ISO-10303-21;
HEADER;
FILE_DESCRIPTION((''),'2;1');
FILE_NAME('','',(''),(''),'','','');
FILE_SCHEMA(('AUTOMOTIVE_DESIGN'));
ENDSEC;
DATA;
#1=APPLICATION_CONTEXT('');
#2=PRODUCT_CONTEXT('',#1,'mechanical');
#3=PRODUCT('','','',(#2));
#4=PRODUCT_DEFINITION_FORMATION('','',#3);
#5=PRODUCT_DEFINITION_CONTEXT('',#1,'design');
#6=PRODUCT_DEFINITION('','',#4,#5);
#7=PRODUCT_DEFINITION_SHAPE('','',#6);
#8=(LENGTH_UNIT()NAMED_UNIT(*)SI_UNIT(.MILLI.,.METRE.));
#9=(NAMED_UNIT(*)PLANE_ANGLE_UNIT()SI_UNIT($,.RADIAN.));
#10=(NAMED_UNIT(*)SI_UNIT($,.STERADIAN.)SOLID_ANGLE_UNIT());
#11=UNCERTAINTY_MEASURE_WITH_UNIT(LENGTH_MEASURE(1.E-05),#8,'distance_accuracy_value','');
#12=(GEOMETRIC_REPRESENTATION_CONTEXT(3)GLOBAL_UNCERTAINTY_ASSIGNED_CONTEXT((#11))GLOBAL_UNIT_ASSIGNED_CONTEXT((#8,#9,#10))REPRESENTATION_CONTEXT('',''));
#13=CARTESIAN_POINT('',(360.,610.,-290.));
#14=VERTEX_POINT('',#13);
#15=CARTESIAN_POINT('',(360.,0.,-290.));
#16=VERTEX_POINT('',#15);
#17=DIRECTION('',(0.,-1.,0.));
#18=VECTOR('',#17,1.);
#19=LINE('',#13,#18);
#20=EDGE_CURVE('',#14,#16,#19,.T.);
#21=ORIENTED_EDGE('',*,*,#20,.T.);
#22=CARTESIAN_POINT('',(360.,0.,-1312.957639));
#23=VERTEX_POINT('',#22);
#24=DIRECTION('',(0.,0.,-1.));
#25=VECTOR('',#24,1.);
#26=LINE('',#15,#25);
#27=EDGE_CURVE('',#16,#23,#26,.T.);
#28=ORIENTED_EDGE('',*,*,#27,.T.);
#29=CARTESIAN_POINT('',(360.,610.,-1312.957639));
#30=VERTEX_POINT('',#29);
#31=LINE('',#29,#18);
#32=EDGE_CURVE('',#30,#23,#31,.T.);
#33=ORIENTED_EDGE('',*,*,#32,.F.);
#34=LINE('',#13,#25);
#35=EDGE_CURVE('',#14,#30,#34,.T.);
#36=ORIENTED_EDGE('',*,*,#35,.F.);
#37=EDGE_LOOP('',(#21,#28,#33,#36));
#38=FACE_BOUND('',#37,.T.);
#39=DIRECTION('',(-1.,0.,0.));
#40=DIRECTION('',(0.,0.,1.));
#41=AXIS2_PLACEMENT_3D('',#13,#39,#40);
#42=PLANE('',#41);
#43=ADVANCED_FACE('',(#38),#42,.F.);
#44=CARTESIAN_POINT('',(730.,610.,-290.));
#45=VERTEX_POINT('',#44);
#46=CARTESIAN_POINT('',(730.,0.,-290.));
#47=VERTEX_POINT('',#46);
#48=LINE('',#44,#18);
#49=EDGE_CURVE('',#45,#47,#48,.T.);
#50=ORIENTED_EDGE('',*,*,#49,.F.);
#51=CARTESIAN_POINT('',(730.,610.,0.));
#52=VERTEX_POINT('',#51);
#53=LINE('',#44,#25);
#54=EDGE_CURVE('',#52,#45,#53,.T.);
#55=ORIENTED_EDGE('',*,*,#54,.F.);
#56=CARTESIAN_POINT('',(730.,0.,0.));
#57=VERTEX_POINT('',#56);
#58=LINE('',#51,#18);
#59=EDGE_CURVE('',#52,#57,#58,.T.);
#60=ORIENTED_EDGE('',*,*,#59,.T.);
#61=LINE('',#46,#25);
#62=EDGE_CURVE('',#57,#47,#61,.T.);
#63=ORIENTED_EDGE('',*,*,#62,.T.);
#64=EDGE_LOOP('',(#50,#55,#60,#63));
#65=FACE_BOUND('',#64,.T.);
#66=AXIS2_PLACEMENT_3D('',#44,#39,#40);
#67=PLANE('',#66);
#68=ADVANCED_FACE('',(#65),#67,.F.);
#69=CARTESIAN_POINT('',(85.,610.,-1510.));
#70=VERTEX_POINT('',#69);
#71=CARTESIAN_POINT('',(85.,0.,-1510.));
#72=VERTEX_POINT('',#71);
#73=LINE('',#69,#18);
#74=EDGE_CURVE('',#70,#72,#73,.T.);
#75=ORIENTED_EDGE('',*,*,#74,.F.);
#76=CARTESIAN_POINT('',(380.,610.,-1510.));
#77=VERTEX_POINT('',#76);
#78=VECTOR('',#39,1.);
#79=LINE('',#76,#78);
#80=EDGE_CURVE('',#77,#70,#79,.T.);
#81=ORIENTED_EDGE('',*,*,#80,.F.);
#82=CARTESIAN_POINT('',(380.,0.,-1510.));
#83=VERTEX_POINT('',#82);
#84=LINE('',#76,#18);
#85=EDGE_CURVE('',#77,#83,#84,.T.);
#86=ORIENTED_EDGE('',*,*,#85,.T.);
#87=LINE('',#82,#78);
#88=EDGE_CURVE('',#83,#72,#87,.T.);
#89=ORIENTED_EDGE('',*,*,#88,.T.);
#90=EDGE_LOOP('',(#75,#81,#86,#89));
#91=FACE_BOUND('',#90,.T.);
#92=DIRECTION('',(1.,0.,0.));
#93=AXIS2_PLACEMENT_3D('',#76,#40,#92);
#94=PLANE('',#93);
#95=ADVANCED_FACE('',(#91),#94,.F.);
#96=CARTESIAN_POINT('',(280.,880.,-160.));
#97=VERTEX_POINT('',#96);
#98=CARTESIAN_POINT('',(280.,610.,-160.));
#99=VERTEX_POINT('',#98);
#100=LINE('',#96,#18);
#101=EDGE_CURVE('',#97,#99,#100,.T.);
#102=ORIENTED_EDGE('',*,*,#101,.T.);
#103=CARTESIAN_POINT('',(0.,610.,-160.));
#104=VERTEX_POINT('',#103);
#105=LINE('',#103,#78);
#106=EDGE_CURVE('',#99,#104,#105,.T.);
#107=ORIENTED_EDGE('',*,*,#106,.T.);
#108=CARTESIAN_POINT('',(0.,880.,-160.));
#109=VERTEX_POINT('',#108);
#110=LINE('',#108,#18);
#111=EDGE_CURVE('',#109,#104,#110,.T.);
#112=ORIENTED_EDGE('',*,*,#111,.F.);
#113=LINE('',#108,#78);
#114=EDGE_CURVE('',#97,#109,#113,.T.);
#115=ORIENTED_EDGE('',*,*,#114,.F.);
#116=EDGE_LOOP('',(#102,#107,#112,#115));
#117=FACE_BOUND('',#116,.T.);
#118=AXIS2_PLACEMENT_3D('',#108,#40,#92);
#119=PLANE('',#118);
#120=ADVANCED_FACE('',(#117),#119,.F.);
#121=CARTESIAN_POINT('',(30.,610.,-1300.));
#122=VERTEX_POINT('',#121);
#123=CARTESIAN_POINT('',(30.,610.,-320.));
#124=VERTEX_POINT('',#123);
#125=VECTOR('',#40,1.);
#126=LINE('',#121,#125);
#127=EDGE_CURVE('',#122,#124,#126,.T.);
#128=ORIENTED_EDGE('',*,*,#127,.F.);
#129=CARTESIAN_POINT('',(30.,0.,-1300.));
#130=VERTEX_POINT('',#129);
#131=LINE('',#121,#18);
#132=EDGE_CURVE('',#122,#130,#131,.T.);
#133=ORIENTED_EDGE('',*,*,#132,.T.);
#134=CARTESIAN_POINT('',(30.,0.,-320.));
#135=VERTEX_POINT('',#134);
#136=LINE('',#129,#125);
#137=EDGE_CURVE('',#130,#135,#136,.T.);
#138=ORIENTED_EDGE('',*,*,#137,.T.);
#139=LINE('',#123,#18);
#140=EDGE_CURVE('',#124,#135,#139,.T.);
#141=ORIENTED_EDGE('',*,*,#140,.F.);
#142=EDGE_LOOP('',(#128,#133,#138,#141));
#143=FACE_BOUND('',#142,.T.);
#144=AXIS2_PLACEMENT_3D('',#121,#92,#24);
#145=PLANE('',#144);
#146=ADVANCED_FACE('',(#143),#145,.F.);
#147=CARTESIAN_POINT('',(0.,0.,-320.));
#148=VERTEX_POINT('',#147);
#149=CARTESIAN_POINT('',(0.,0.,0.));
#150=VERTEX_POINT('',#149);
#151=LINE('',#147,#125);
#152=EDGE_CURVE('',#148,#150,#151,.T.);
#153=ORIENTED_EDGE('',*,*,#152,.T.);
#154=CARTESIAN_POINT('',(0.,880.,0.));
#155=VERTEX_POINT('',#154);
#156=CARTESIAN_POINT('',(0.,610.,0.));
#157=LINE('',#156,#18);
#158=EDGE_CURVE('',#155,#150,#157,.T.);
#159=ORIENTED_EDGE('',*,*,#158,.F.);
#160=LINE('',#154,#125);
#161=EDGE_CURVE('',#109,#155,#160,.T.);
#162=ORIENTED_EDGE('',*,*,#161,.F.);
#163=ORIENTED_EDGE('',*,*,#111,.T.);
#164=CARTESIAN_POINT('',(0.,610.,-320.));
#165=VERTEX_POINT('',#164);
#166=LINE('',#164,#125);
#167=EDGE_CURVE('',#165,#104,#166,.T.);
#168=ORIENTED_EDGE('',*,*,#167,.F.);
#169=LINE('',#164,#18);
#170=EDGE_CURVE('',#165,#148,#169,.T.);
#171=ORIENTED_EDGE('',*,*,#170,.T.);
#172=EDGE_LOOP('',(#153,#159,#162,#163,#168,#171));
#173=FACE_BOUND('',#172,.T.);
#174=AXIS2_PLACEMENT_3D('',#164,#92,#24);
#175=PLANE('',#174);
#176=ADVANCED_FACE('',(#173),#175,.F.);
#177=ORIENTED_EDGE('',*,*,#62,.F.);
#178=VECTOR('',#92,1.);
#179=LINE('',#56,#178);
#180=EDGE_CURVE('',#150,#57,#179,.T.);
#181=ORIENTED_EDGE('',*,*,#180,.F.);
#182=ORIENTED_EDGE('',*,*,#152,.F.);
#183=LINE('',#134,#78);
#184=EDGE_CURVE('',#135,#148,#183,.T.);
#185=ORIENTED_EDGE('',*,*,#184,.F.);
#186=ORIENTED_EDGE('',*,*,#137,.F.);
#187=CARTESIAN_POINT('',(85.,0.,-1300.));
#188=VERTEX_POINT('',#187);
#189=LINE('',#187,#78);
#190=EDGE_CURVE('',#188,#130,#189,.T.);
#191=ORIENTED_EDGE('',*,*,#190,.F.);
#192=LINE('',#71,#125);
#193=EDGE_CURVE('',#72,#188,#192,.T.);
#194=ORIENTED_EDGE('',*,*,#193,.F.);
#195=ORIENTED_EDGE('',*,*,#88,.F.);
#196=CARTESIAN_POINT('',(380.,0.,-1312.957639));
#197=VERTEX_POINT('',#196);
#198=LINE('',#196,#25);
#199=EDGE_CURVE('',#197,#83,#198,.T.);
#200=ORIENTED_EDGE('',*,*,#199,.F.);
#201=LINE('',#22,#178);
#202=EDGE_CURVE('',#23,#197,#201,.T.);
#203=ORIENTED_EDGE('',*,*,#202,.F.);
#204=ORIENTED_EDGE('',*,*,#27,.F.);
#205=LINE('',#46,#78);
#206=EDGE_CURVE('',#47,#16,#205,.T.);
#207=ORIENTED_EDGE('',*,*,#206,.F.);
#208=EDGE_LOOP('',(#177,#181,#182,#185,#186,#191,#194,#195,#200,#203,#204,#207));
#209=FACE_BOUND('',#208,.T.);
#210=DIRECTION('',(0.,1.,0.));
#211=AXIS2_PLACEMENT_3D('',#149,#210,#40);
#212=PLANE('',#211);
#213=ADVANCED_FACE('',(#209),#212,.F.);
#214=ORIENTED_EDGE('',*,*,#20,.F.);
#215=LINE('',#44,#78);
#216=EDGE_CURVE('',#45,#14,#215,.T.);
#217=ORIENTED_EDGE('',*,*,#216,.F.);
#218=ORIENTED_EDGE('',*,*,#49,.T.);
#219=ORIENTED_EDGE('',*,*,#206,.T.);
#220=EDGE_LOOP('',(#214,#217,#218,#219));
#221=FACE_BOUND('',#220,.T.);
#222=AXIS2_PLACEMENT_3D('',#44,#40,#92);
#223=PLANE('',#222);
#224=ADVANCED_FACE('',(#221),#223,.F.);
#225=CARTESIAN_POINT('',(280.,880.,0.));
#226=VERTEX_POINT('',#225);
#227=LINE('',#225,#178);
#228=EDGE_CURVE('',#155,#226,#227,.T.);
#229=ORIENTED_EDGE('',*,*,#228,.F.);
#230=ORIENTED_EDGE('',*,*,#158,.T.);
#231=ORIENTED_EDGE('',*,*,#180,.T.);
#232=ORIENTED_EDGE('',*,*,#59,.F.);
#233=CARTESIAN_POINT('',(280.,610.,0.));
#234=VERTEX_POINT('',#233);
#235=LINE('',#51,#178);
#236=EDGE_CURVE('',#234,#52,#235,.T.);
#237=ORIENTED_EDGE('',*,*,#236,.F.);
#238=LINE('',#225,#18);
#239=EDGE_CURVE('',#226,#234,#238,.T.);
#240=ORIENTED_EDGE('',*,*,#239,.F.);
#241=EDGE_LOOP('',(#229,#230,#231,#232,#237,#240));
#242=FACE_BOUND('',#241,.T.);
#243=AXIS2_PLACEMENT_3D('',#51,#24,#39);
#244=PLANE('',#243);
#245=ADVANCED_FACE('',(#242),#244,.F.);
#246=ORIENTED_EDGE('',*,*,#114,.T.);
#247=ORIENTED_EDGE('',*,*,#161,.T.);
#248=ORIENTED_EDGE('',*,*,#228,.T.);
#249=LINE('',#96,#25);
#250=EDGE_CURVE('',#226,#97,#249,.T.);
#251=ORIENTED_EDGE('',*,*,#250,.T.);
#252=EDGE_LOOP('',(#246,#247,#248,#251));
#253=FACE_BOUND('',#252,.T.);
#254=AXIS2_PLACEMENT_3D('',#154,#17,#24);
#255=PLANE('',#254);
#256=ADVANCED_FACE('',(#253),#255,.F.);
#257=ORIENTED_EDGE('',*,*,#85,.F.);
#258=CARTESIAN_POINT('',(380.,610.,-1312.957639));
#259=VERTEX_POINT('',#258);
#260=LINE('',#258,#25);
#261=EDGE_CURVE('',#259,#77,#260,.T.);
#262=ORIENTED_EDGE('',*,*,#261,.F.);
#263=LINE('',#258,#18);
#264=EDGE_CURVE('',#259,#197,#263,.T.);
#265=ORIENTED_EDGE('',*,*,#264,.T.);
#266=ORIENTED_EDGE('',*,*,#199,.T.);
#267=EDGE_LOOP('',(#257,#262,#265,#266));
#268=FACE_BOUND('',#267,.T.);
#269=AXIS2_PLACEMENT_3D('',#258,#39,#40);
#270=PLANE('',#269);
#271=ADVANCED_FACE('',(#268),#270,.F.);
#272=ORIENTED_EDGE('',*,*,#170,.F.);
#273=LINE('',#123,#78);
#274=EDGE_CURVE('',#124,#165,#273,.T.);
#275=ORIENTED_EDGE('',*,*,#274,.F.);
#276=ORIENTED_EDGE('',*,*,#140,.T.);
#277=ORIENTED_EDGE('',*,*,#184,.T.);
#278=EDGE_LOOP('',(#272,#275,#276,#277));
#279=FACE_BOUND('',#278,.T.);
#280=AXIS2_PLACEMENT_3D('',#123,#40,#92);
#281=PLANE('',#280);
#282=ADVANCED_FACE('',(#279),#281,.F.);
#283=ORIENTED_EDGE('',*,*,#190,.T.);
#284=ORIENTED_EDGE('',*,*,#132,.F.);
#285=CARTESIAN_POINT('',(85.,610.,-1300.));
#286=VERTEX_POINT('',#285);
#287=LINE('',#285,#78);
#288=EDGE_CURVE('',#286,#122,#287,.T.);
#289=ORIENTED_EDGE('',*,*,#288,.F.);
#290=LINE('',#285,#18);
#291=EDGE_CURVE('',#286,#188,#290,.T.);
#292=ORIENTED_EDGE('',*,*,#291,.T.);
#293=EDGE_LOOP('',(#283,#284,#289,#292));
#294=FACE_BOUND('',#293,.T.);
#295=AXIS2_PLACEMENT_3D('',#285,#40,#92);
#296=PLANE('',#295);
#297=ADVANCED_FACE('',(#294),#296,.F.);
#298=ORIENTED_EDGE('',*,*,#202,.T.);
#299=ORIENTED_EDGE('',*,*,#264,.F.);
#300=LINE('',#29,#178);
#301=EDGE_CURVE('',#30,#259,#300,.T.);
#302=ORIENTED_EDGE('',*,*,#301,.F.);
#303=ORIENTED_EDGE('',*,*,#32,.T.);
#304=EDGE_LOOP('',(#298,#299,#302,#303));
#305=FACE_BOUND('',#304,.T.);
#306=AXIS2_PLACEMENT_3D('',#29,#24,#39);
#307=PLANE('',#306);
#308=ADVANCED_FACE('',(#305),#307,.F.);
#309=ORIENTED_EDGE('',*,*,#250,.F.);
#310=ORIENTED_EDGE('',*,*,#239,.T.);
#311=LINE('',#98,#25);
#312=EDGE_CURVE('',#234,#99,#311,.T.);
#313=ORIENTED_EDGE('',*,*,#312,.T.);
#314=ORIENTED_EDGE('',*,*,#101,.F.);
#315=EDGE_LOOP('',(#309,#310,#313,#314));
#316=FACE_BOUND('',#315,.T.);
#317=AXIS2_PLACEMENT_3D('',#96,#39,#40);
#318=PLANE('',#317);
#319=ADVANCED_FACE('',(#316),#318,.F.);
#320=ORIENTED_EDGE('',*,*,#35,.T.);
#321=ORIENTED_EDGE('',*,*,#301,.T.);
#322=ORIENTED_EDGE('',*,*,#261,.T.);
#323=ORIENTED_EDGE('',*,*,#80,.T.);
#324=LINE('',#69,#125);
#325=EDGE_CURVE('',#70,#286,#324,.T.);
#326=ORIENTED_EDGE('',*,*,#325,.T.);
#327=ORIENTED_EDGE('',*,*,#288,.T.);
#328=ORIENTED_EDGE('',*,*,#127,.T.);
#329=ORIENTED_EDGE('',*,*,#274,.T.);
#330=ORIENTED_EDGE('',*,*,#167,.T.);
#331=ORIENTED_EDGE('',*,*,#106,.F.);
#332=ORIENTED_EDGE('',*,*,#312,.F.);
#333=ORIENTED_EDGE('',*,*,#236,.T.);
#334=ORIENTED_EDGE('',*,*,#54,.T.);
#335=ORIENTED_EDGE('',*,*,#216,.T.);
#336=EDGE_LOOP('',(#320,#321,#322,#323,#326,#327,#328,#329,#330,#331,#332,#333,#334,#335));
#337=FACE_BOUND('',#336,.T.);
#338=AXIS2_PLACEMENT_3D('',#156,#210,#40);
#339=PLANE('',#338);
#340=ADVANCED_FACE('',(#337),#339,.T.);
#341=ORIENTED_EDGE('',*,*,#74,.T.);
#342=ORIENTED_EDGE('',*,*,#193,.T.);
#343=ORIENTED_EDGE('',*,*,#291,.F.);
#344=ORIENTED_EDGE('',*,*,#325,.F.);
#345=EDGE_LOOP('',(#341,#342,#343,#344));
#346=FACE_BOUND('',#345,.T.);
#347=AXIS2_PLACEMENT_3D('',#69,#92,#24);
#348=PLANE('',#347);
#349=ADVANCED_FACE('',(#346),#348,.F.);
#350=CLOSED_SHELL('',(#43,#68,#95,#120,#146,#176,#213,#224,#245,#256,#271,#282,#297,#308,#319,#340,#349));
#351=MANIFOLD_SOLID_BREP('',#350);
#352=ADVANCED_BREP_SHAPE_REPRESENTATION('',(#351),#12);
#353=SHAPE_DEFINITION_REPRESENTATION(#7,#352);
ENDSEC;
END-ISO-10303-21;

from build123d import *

# Parameters (mm, degrees)
BOSS_EXTRUDE1_DEPTH = 610
SKETCH2_W           = 280
SKETCH2_H           = 160
BOSS_EXTRUDE2_DEPTH = 270


with BuildPart() as part:
    # Sketch1 → Boss-Extrude1 (new body)
    with BuildSketch(Plane(origin=(0, 0, 0), x_dir=(1, 0, 0), z_dir=(0, 1, 0))):
        Polygon((730, 290), (360, 290), (360, 1312.957638722), (380, 1312.957638722), (380, 1510), (85, 1510), (85, 1300), (30, 1300), (30, 320), (0, 320), (0, 0), (730, 0), align=None)
    extrude(amount=BOSS_EXTRUDE1_DEPTH)

    # Sketch2 → Boss-Extrude2 (add)
    with BuildSketch(Plane(origin=(0, 610, 0), x_dir=(1, 0, 0), z_dir=(0, 1, 0))):
        with Locations((140, 80)):
            Rectangle(SKETCH2_W, SKETCH2_H)
    extrude(amount=BOSS_EXTRUDE2_DEPTH)


solid = part.part
